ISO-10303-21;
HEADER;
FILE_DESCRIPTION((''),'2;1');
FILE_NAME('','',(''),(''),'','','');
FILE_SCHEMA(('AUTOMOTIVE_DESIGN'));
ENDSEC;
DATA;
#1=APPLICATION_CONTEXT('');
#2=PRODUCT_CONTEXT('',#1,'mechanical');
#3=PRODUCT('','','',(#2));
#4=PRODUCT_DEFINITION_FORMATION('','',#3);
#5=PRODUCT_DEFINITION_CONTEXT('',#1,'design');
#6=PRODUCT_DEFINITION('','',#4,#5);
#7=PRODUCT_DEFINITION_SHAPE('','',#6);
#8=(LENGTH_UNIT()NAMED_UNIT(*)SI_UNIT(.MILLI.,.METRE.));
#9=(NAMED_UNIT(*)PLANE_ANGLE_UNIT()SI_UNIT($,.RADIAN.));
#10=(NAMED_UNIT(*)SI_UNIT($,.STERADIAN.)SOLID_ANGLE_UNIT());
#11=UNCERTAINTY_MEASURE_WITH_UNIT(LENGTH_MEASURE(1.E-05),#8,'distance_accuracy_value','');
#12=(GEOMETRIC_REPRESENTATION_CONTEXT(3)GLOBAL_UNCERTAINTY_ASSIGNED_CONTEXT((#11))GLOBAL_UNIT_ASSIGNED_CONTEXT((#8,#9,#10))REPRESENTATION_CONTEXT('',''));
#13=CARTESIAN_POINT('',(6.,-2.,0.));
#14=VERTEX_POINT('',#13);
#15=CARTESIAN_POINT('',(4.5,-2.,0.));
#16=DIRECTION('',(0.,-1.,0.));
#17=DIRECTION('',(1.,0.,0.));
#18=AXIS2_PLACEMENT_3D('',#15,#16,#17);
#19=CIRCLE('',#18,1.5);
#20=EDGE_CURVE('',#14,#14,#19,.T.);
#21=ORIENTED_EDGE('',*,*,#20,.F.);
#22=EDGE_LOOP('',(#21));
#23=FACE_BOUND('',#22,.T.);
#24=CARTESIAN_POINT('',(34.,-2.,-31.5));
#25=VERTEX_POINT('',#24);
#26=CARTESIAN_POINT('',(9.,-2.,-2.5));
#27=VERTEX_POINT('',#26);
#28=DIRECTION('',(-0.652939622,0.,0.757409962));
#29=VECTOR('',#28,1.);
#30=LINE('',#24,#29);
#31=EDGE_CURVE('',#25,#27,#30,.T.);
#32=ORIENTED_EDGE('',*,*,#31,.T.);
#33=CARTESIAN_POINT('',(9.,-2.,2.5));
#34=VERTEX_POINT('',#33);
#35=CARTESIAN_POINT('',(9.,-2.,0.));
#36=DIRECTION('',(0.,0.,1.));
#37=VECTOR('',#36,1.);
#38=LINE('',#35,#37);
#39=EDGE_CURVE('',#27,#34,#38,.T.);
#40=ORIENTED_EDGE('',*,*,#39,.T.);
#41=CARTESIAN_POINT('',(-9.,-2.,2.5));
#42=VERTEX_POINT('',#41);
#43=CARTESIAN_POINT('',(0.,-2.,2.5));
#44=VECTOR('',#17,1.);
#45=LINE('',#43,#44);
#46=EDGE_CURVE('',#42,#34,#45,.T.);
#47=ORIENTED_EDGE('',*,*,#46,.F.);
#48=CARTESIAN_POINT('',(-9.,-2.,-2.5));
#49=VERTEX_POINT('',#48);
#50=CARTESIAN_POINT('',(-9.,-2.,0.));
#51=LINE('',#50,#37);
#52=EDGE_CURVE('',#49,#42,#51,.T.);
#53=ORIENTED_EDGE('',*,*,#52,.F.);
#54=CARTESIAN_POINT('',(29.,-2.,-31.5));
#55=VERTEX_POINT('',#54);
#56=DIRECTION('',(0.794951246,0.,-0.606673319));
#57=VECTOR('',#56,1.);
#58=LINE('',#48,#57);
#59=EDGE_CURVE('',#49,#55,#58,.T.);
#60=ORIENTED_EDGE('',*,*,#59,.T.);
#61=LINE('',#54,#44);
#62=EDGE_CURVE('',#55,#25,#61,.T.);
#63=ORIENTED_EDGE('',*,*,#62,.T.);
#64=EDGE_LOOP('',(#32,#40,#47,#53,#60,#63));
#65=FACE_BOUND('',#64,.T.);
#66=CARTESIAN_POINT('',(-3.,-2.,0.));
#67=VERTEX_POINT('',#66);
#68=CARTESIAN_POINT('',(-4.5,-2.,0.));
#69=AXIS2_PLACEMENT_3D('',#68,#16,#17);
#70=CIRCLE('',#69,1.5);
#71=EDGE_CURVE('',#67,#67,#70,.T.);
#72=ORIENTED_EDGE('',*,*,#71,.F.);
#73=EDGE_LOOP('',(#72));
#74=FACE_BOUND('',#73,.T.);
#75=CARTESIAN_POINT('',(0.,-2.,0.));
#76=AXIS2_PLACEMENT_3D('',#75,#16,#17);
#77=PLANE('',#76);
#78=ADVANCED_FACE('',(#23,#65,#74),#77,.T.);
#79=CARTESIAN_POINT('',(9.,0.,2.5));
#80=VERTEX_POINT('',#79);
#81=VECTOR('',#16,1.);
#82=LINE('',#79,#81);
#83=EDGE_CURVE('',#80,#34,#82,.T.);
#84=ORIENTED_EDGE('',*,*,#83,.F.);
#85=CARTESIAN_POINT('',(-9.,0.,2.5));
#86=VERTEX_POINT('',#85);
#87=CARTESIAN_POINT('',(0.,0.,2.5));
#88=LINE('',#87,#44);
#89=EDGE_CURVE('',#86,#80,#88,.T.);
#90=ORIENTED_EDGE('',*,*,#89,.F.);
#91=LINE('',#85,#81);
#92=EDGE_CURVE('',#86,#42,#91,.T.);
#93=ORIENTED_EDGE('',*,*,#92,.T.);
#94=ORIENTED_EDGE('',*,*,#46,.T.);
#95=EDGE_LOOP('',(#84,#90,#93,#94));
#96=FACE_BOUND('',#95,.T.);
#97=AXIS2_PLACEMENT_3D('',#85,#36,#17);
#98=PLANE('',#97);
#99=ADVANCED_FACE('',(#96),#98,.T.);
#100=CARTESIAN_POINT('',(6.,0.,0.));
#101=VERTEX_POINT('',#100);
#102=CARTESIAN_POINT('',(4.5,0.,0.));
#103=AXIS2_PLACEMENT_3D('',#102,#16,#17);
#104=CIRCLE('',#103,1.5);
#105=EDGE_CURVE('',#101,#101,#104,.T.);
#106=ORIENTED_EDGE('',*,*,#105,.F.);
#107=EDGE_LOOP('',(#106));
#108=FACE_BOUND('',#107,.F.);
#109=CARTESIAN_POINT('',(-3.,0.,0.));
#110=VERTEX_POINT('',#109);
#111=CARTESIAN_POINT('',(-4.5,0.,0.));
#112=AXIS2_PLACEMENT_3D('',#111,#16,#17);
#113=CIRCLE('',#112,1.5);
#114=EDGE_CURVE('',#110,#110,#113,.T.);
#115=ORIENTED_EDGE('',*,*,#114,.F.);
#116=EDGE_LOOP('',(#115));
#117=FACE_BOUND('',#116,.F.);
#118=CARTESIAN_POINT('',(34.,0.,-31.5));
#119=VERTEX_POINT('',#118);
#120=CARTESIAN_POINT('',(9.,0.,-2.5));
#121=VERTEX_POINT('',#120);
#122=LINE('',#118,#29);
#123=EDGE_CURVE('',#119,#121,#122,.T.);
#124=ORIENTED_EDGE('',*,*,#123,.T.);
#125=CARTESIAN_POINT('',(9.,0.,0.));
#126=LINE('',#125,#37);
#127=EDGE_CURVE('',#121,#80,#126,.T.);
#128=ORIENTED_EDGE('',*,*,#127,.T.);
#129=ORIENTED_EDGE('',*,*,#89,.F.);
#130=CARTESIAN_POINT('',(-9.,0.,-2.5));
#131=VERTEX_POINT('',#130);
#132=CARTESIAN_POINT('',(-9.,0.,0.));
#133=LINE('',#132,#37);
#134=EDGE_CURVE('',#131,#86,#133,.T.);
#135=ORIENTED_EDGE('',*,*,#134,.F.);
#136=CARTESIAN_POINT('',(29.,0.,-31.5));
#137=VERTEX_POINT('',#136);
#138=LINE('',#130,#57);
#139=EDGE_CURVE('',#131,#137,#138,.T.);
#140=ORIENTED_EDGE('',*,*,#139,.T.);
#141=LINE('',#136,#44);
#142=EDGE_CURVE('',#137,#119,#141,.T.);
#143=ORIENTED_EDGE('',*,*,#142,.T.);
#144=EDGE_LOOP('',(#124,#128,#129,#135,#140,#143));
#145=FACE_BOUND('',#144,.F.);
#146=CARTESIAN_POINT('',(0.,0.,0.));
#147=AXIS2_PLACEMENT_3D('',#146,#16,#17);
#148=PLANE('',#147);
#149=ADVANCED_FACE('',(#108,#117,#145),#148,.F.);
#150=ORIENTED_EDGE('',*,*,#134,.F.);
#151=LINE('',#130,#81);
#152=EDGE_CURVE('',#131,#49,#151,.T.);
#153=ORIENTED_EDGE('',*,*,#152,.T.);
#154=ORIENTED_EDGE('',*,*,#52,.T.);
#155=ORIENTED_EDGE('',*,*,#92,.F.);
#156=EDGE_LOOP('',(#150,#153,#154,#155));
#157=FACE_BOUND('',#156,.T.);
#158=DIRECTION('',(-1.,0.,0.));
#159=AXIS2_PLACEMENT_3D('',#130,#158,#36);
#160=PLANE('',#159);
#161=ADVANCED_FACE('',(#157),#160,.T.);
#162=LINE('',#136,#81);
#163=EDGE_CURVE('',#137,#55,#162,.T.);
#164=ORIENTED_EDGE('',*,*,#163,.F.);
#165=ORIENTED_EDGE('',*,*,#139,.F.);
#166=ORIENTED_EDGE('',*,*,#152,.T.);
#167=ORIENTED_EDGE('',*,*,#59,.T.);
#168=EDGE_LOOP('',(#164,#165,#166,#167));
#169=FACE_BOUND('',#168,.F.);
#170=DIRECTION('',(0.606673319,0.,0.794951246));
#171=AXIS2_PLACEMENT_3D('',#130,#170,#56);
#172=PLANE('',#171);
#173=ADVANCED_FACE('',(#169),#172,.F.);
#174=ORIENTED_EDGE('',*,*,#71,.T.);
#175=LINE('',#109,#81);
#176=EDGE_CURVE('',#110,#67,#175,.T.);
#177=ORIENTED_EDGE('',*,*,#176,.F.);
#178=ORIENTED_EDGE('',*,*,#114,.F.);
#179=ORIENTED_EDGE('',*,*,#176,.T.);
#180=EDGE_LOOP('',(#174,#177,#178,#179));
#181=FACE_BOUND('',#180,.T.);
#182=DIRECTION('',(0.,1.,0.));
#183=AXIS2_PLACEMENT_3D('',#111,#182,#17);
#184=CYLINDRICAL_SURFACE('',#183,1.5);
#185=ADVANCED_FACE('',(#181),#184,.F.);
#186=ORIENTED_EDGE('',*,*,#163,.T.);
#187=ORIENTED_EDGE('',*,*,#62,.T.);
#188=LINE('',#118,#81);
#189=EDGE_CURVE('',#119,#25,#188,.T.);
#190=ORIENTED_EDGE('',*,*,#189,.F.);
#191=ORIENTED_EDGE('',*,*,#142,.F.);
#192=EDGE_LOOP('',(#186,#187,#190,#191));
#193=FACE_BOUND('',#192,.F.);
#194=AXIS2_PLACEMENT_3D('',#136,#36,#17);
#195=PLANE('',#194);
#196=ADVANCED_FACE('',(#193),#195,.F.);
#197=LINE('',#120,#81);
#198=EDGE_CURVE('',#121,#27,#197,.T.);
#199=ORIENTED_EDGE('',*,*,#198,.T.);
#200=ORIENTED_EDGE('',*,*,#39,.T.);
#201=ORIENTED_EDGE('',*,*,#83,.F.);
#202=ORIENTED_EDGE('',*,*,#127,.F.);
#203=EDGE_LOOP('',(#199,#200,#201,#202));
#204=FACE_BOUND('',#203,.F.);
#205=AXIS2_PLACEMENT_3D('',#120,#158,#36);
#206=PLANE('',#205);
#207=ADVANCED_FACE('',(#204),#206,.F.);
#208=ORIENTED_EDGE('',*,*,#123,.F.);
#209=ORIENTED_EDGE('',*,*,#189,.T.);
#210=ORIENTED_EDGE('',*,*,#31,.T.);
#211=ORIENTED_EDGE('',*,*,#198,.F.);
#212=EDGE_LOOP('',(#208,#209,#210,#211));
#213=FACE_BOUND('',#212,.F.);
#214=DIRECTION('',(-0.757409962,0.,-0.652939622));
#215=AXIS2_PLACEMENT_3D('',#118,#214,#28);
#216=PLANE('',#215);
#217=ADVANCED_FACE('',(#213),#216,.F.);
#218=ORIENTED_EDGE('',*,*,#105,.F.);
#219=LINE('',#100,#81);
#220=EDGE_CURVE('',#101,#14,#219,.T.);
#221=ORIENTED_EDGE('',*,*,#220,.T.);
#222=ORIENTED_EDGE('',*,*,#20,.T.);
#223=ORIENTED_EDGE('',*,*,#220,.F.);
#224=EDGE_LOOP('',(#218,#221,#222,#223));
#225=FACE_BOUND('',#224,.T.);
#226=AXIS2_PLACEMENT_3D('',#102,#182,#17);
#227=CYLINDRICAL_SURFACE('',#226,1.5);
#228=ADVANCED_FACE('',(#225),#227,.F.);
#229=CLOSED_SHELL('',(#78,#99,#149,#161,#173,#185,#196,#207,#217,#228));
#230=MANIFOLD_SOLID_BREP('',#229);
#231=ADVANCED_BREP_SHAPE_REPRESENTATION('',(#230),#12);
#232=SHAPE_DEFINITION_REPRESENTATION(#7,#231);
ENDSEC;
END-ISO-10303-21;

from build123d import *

# Parameters (mm, degrees)
F0_W     = 18
F0_H     = 5
F0_R     = 1.5
F1_DEPTH = 2


with BuildPart() as f1:
    # F0 (on Front) → F1 (new body)
    with BuildSketch(Plane.XZ):
        Rectangle(F0_W, F0_H)
        with Locations((-4.5, 0)):
            Circle(F0_R, mode=Mode.SUBTRACT)
        with Locations((4.5, 0)):
            Circle(F0_R, mode=Mode.SUBTRACT)
        Polygon((34, -31.5), (9, -2.5), (-9, -2.5), (29, -31.5), align=None)
    extrude(amount=F1_DEPTH)


solid = f1.part
